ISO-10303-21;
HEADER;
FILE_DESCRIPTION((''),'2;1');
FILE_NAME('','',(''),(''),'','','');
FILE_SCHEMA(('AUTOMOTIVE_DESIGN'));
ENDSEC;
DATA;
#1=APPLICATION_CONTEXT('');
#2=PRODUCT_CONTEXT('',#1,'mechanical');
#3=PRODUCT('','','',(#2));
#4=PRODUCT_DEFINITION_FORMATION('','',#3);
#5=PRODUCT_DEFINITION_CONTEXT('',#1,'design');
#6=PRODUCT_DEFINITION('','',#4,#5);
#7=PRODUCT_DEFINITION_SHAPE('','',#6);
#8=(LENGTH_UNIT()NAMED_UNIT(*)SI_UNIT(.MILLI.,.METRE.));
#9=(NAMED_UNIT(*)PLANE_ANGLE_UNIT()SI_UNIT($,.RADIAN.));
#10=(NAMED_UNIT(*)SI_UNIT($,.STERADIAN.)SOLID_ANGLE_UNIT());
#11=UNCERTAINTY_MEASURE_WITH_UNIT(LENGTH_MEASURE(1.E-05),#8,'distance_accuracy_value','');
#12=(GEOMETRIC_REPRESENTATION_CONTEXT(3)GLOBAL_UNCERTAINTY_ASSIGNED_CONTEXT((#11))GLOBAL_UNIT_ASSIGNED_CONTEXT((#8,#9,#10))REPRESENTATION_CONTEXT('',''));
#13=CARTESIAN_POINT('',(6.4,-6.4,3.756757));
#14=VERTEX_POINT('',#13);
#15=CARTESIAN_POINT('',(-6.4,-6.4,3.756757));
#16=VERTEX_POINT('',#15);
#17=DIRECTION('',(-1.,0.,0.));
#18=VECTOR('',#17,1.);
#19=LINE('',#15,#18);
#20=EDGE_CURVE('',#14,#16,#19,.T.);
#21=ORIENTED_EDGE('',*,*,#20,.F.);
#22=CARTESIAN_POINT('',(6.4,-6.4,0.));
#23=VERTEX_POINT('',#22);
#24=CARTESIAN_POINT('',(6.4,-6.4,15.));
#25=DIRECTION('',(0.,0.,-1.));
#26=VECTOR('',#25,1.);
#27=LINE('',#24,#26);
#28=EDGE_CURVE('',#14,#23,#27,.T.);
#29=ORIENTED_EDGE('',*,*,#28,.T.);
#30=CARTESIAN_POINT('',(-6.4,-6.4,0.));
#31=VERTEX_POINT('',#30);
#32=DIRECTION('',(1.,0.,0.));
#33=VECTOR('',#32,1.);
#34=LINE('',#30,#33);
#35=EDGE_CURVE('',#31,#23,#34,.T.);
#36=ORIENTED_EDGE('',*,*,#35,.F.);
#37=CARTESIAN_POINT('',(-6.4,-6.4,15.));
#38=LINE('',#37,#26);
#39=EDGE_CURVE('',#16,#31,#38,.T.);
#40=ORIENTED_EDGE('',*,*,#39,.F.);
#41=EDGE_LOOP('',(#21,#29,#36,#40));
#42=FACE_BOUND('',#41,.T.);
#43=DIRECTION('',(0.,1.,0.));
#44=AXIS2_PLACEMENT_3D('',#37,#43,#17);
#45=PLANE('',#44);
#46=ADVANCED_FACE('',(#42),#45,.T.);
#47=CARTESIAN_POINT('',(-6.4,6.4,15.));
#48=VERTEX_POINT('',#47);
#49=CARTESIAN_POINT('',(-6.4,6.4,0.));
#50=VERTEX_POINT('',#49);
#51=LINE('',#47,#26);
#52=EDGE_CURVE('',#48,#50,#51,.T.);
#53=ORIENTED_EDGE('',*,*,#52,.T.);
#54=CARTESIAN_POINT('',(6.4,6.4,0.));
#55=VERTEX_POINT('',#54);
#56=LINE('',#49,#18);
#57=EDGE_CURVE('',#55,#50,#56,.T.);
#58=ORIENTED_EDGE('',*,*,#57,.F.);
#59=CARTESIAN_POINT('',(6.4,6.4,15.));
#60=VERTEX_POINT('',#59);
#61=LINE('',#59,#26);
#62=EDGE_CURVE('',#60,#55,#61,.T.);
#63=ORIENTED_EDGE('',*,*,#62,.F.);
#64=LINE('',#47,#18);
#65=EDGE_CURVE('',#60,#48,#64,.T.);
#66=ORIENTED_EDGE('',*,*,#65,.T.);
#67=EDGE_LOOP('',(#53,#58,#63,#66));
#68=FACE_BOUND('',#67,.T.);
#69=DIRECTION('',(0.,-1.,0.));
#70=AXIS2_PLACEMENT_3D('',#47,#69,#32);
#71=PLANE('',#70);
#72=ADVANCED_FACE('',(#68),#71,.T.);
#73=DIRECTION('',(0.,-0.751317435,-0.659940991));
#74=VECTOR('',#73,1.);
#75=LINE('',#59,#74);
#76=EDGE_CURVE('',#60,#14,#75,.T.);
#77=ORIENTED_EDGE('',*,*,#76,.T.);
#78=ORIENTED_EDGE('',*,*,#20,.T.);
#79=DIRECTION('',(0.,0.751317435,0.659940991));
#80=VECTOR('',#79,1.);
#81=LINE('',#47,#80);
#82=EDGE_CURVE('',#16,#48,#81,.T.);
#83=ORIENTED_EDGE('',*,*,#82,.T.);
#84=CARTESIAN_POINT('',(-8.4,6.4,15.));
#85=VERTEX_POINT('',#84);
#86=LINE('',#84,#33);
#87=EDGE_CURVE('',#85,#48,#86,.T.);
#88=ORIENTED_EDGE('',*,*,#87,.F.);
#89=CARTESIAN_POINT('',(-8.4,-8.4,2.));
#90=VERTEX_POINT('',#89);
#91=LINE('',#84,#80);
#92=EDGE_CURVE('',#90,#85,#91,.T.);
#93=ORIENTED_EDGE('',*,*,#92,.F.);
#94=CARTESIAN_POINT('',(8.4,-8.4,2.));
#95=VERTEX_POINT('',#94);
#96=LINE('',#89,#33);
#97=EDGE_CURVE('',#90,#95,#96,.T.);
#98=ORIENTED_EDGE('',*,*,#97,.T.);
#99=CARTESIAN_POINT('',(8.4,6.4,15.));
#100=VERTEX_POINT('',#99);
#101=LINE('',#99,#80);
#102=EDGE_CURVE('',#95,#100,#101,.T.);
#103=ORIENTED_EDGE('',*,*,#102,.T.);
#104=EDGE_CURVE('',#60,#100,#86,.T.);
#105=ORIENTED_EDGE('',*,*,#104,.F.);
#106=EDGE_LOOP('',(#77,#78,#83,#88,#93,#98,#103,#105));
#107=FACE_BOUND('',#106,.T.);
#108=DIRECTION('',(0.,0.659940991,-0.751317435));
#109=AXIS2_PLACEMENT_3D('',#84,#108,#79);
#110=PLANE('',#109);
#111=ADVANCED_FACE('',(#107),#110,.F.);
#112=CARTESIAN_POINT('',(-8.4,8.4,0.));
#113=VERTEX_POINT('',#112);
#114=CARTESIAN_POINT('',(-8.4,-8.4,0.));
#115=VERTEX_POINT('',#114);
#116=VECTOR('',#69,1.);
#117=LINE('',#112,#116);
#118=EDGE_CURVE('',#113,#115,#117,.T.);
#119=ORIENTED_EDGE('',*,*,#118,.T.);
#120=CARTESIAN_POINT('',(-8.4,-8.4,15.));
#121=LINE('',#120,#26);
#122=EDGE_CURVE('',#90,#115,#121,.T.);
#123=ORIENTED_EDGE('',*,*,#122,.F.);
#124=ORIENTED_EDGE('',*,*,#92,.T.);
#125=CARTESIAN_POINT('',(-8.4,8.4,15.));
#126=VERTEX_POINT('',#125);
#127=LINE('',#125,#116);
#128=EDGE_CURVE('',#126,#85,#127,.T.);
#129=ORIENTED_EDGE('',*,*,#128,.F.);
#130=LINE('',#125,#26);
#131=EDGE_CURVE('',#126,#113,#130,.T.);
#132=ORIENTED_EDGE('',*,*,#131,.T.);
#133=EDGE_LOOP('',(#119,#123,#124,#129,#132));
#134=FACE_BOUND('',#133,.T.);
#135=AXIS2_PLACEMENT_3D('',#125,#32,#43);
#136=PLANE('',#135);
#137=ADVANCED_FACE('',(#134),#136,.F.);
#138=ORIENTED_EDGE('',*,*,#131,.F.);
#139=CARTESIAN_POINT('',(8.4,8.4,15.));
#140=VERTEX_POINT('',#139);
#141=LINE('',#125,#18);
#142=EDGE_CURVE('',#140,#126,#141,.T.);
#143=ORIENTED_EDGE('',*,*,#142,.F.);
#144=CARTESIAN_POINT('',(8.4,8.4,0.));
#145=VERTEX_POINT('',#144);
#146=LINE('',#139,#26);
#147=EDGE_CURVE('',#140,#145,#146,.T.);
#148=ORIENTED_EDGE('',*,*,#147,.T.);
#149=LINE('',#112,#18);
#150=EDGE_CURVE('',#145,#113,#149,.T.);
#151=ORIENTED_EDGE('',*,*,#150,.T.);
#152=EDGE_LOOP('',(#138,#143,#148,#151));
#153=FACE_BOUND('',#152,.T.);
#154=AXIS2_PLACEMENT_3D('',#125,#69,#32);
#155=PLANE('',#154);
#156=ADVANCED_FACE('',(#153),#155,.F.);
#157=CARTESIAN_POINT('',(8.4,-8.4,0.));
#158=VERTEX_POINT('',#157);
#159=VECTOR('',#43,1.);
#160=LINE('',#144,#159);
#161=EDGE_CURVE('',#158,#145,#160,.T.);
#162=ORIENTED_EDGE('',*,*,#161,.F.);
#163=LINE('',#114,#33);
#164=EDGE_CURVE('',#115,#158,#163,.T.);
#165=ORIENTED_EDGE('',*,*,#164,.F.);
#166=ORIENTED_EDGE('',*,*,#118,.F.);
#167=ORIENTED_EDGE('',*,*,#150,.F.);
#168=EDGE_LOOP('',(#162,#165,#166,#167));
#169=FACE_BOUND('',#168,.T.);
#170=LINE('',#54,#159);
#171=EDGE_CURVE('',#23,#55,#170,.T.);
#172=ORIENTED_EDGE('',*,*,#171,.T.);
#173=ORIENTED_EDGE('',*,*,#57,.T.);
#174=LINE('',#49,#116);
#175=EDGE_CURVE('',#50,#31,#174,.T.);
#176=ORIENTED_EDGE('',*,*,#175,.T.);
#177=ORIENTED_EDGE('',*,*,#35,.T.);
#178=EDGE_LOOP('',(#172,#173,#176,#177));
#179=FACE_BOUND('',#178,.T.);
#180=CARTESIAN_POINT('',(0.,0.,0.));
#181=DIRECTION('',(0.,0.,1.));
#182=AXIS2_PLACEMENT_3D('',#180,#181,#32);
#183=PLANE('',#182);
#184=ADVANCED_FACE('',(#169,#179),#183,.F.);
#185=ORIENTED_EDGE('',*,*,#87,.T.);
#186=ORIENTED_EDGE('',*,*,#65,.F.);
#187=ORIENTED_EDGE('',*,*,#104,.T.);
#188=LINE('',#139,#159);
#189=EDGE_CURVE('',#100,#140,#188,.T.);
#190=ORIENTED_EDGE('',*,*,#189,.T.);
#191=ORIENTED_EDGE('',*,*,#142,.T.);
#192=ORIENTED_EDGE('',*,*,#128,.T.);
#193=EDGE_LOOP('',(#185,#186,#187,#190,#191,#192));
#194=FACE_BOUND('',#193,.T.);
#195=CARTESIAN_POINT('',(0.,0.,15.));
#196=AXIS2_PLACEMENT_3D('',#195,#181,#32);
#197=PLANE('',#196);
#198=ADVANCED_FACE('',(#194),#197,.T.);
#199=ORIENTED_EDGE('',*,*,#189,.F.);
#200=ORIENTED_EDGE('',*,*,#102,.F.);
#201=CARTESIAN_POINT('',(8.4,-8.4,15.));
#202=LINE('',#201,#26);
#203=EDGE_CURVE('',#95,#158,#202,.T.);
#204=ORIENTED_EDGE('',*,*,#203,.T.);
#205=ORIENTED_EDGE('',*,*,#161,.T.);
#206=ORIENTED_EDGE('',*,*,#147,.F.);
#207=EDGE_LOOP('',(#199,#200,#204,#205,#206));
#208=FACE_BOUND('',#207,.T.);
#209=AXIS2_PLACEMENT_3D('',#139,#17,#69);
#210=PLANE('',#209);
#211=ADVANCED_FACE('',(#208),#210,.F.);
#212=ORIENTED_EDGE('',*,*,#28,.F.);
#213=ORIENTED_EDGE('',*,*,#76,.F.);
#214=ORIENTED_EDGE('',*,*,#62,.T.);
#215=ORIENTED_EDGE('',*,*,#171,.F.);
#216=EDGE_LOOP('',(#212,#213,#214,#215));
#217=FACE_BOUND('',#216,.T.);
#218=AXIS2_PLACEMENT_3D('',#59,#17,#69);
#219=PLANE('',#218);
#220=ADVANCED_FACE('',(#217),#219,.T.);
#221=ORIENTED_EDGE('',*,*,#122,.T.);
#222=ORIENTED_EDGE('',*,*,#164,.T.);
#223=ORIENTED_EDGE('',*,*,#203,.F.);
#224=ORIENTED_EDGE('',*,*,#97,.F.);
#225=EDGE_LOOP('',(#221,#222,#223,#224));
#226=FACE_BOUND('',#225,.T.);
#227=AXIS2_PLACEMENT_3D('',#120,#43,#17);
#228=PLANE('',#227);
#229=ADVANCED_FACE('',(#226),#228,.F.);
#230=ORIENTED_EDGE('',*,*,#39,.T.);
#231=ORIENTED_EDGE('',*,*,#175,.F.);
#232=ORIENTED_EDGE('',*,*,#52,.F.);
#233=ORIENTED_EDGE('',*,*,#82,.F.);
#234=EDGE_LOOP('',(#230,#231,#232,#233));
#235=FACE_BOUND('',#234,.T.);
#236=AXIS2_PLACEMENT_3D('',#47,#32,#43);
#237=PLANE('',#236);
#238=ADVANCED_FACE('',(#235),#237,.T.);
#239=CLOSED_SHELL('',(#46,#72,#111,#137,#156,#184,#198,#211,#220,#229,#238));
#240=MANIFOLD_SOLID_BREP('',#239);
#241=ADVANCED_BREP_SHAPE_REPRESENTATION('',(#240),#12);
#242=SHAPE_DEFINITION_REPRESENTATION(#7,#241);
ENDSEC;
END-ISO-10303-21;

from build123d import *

# Parameters (mm, degrees)
SKETCH1_W           = 16.8
SKETCH1_H           = 16.8
SKETCH1_W_2         = 12.8
SKETCH1_H_2         = 12.8
BOSS_EXTRUDE1_DEPTH = 15
CUT_EXTRUDE1_DEPTH  = 17.8


with BuildPart() as part:
    # Sketch1 → Boss-Extrude1 (new body)
    with BuildSketch(Plane.XY):
        Rectangle(SKETCH1_W, SKETCH1_H)
        Rectangle(SKETCH1_W_2, SKETCH1_H_2, mode=Mode.SUBTRACT)
    extrude(amount=BOSS_EXTRUDE1_DEPTH)

    # Sketch2 → Cut-Extrude1 (cut, through all)
    with BuildSketch(Plane(origin=(8.4, 0, 0), x_dir=(0, 0, -1), z_dir=(1, 0, 0))):
        Polygon((-15, 6.4), (-2, -8.4), (-15, -8.4), align=None)
    extrude(amount=-CUT_EXTRUDE1_DEPTH, mode=Mode.SUBTRACT)


solid = part.part
